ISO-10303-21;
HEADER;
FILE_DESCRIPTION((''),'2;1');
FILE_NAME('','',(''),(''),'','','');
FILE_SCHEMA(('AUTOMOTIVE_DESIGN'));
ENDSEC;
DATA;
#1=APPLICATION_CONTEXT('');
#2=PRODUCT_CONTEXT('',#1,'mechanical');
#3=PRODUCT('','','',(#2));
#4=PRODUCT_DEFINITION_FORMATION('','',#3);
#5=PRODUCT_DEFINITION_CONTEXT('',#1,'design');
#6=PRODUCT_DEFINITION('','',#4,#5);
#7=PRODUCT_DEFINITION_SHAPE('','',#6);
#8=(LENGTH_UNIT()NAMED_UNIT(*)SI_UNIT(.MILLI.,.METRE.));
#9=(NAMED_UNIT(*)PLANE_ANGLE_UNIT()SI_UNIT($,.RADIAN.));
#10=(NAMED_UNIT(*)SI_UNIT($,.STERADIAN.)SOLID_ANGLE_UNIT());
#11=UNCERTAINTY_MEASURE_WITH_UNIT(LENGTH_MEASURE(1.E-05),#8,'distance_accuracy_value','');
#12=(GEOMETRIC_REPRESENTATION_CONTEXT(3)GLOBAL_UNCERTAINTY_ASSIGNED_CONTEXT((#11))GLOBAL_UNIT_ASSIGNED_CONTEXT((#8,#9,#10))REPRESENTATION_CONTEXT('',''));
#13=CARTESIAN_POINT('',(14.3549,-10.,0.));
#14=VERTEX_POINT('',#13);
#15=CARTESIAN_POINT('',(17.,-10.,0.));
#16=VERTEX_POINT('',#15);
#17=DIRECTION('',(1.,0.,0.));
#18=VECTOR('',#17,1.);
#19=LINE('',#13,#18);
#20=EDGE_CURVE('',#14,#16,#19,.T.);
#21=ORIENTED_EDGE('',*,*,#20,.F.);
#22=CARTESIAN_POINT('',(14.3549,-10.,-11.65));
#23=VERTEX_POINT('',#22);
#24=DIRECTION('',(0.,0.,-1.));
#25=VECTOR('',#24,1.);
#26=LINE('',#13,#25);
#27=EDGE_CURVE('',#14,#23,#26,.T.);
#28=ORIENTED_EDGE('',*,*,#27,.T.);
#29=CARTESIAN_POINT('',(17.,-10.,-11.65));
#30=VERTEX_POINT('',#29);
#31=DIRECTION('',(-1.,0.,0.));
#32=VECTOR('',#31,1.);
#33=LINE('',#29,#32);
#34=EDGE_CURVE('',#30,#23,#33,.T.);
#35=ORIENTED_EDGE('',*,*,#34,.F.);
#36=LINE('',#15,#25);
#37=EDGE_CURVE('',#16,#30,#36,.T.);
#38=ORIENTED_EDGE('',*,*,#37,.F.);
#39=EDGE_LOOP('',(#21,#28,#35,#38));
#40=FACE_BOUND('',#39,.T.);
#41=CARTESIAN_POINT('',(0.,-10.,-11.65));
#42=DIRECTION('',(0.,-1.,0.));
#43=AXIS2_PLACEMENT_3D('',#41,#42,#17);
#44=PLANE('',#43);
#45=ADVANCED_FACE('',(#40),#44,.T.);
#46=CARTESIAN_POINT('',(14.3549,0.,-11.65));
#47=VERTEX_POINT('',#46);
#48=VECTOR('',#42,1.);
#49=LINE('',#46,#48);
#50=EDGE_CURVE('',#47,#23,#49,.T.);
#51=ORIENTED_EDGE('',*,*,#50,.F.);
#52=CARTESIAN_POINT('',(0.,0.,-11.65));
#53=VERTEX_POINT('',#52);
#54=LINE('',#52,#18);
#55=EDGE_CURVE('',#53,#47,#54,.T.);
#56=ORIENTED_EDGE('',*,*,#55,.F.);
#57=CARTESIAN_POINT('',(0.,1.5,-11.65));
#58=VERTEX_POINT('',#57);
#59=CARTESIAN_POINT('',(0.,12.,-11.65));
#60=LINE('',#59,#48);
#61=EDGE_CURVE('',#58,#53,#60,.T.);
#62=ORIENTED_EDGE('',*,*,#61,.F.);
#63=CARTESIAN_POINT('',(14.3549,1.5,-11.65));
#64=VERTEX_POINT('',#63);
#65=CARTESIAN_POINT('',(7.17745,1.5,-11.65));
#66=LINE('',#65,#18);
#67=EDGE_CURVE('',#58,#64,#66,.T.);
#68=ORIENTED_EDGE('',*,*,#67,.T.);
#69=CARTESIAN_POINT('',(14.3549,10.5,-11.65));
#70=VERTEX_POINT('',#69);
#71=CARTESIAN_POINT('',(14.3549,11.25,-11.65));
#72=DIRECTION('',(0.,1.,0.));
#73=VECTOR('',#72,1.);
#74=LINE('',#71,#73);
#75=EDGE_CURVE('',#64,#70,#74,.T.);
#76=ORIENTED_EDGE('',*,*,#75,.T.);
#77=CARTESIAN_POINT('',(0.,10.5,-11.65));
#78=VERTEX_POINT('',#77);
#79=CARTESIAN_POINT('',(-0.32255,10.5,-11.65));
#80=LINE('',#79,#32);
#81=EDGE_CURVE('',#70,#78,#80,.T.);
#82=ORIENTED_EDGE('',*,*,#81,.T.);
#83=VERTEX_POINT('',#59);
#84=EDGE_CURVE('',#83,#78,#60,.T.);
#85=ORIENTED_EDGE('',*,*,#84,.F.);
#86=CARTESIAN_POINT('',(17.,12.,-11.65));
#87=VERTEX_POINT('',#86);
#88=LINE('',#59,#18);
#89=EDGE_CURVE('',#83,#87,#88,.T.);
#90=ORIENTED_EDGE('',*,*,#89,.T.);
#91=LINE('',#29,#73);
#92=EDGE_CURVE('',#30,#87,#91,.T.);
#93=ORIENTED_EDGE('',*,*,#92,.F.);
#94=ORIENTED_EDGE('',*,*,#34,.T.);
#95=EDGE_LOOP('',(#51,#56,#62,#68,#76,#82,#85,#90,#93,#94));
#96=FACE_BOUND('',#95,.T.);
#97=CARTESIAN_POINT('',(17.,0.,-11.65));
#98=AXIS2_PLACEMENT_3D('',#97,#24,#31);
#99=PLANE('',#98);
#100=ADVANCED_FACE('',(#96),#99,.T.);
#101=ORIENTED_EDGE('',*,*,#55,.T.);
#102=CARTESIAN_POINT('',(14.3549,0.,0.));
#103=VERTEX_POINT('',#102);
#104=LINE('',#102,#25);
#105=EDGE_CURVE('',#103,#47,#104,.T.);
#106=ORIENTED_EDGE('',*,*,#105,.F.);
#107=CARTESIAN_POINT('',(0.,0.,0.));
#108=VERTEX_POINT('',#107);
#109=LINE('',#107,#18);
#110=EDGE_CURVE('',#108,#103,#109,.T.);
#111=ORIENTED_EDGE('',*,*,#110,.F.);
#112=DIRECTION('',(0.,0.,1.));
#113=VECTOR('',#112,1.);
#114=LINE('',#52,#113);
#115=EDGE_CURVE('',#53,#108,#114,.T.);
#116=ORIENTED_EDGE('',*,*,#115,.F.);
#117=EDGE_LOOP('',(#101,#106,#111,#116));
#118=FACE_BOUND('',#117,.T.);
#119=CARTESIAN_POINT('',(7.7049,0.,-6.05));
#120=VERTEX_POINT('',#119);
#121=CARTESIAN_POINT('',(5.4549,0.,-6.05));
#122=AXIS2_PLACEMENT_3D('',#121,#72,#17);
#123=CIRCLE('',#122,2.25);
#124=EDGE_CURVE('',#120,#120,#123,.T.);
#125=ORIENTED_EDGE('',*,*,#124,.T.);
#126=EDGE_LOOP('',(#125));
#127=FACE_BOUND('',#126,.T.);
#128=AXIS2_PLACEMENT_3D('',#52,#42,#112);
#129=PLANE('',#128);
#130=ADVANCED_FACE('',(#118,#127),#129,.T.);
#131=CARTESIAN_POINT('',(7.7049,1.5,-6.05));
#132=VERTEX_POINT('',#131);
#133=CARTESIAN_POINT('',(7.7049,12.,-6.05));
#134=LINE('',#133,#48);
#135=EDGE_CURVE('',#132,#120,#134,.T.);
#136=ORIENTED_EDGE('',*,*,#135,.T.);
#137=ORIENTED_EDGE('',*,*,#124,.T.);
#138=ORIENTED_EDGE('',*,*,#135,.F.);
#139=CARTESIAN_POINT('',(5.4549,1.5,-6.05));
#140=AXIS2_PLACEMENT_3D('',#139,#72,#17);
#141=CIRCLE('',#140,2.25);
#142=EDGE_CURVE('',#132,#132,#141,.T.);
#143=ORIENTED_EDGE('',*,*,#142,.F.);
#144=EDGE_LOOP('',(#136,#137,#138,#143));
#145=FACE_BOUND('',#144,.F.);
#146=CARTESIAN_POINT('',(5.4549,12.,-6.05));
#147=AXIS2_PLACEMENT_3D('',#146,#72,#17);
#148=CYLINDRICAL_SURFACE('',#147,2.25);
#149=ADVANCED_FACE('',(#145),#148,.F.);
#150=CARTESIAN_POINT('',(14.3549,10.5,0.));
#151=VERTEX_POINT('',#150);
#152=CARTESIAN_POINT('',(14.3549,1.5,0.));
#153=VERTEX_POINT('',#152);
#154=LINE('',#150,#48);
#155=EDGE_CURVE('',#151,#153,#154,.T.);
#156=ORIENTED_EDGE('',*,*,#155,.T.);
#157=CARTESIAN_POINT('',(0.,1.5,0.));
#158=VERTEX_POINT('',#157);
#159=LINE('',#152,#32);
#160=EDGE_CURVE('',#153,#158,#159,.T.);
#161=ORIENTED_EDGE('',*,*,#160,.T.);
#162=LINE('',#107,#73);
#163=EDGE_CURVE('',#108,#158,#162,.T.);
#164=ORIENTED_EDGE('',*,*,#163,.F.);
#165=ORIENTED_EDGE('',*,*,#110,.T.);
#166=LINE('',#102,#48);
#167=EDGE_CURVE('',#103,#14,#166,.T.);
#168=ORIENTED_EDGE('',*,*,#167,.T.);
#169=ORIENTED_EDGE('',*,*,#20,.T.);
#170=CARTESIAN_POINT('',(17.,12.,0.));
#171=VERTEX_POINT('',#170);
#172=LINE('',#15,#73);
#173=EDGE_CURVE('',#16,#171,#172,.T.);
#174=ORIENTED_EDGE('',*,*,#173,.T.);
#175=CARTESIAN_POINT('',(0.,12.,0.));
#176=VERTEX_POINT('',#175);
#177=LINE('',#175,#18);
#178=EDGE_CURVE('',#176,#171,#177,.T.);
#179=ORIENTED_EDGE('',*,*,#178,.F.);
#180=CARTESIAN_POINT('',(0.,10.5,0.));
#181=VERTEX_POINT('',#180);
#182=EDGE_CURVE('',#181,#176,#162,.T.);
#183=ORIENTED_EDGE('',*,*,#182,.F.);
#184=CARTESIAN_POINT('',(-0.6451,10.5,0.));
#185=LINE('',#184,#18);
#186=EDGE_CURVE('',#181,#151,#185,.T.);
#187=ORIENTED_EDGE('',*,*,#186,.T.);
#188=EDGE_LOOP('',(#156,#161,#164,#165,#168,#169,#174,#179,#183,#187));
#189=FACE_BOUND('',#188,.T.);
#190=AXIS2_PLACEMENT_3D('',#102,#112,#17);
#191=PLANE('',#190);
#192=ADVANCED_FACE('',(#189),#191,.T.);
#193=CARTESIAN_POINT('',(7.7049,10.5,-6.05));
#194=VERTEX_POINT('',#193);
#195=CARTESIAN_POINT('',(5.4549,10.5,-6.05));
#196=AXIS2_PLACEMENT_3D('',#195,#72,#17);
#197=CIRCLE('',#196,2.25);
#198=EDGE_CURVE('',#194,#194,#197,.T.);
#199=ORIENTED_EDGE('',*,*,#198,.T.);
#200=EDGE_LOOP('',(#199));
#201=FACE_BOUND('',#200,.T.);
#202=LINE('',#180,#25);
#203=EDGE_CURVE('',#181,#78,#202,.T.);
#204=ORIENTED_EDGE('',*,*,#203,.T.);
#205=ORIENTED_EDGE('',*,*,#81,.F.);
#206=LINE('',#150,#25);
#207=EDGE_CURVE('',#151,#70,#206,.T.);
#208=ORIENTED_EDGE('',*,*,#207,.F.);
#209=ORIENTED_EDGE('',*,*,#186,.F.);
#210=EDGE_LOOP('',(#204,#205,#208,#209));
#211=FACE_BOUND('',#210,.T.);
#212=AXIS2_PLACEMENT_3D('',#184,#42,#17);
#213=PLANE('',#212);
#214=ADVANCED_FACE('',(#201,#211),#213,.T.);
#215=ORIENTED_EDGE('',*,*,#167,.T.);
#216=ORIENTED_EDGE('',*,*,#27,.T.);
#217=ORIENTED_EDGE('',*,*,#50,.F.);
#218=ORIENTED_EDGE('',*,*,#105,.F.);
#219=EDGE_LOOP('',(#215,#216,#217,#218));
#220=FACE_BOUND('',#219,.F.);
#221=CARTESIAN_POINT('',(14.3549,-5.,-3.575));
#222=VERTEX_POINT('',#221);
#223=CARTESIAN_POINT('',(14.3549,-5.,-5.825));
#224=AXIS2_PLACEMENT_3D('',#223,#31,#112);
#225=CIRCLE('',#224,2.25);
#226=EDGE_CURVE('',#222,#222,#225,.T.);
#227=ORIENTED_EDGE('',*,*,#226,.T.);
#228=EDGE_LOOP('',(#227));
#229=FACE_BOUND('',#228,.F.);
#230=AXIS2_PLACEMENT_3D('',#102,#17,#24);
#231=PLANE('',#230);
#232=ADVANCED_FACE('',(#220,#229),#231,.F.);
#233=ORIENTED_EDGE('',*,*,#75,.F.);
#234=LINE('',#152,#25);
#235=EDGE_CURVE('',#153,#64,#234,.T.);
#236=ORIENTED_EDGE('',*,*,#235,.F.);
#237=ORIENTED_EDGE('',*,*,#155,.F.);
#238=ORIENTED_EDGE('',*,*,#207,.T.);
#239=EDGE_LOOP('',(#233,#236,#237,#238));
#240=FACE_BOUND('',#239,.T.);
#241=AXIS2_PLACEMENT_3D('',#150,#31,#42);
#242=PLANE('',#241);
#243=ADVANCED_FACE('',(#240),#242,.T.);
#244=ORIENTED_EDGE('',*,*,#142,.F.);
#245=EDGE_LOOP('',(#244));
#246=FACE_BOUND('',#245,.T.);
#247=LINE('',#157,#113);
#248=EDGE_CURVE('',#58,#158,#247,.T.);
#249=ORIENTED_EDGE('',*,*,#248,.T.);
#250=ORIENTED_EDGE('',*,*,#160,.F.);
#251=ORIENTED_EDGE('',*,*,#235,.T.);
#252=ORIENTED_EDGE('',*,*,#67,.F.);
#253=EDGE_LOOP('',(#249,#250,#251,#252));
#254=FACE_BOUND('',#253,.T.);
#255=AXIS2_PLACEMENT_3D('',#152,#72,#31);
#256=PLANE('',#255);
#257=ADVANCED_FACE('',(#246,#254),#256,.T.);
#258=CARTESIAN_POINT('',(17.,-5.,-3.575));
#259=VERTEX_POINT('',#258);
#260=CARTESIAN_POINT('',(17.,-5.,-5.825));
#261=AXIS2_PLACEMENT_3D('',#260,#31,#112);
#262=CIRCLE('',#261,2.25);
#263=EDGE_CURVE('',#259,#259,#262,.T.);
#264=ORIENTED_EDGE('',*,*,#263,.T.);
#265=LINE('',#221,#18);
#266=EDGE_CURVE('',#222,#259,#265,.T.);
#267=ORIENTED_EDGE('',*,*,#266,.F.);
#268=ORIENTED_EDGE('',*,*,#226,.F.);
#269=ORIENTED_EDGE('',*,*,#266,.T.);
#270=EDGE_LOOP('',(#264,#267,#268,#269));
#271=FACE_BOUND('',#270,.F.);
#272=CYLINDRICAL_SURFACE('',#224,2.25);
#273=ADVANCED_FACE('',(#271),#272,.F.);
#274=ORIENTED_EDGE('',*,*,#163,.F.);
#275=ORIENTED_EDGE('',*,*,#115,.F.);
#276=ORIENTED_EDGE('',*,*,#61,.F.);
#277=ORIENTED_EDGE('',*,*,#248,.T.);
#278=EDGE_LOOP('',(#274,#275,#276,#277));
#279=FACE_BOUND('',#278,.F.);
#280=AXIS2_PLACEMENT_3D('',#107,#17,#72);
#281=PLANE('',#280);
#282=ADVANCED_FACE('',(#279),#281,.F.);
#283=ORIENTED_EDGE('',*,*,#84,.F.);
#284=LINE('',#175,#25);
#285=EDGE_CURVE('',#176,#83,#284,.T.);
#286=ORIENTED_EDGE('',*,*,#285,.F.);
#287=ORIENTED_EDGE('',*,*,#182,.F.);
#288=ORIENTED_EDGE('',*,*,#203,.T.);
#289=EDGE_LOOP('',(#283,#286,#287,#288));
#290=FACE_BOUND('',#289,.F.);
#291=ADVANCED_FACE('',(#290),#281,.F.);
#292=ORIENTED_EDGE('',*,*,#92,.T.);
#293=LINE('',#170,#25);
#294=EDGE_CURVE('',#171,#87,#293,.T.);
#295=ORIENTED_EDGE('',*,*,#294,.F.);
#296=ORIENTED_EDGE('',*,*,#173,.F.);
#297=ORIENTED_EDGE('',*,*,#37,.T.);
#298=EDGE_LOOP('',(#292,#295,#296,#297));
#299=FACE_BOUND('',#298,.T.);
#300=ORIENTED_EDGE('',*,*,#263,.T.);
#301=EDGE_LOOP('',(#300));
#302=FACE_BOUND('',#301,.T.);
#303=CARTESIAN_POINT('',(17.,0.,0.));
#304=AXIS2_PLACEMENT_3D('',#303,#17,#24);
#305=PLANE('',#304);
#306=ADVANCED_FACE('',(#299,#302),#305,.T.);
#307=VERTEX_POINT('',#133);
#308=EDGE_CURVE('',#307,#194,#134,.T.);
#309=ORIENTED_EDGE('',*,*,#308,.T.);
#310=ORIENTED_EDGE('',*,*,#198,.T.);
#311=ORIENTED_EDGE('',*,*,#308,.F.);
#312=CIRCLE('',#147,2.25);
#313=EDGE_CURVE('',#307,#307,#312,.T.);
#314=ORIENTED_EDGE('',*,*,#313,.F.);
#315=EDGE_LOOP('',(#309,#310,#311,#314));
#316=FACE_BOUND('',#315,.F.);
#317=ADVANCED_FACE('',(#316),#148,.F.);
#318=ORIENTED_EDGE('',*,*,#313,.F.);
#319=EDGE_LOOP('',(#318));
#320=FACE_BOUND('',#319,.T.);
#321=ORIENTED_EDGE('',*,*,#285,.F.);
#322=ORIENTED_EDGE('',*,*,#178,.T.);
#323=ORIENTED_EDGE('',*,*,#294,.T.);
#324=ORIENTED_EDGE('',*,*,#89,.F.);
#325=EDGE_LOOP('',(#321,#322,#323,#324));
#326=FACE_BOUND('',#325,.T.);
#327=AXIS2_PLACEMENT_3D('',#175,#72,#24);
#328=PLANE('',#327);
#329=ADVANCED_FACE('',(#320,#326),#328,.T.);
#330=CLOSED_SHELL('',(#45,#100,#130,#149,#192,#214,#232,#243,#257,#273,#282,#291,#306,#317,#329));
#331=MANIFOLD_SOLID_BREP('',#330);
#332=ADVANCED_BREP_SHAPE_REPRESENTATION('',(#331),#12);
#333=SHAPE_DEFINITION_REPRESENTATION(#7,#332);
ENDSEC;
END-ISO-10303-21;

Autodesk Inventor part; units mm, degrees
ref_plane "YZ Plane" through (0, 0, 0) normal (1, 0, 0) x (0, 1, 0)
ref_plane "XZ Plane" through (0, 0, 0) normal (0, 1, 0) x (-1, 0, 0)
ref_plane "XY Plane" through (0, 0, 0) normal (0, 0, 1) x (1, 0, 0)
sketch "Sketch1" plane through (0, 0, 0) normal (1, 0, 0) x (0, 1, 0)
  line L0 (0, 0) -> (12, 0)
  line L1 (12, 0) -> (12, -11.65)
  line L2 (12, -11.65) -> (0, -11.65)
  line L3 (0, -11.65) -> (0, 0)
  dimension "d0" = 12
  dimension "d1" = 11.65
extrude "Extrusion1" add sketch "Sketch1" along normal blind 17
sketch "Sketch3" plane through (0, 0, 0) normal (0, 0, 1) x (1, 0, 0)
  line L0 (-0.6451, 10.5) -> (14.3549, 10.5)
  line L1 (14.3549, 10.5) -> (14.3549, 1.5)
  line L2 (14.3549, 1.5) -> (-0.6451, 1.5)
  line L3 (-0.6451, 1.5) -> (-0.6451, 10.5)
  line L4 (17, 12) -> (17, 0) projected
  line L5 (0, 12) -> (17, 12) projected
  point P0 (0, 0)
  point P1 (10, 1.5)
  point P2 (10, 10.5)
  dimension "d7" = 9
  dimension "d8" = 15
  dimension "d10" = 1.5
extrude "Extrusion2" cut sketch "Sketch3" against normal blind 14
sketch "Sketch5" plane through (0, 12, 0) normal (0, 1, 0) x (1, 0, 0)
  circle A0 centre (5.4549, 6.05) radius 2.25
  line L0 (14.3549, 0) -> (14.3549, 11.65) projected
  line L1 (0, 11.65) -> (17, 11.65) projected
  point P0 (0, 0)
  point P1 (11.3549, 10)
  point P2 (14.3549, 11.65)
  dimension "d16" = 4.5
  dimension "d17" = 8.9
  dimension "d18" = 5.6
extrude "Extrusion3" cut sketch "Sketch5" against normal blind 14
sketch "Sketch6" plane through (0, 0, -11.65) normal (0, -1, 0) x (1, 0, 0)
  line L0 (14.3549, 11.65) -> (14.3549, 0) projected
  line L1 (17, 11.65) -> (17, 0) projected
  line L2 (14.3549, 11.65) -> (17, 11.65)
  line L3 (17, 11.65) -> (17, 0)
  line L4 (17, 0) -> (14.3549, 0)
  line L5 (14.3549, 0) -> (14.3549, 11.65)
  point P0 (0, 11.65)
extrude "Extrusion4" add sketch "Sketch6" along normal blind 10
sketch "Sketch7" plane through (14.3549, 0, -11.65) normal (-1, 0, 0) x (0, 0, 1)
  circle A0 centre (5.825, -5) radius 2.25
  line L0 (11.65, 0) -> (11.65, -10) projected
  line L1 (11.65, -10) -> (0, -10) projected
  dimension "d23" = 5.825
  dimension "d24" = 4.5
  dimension "d25" = 5
extrude "Extrusion5" cut sketch "Sketch7" against normal blind 4
properties part number "rodclamp1"
